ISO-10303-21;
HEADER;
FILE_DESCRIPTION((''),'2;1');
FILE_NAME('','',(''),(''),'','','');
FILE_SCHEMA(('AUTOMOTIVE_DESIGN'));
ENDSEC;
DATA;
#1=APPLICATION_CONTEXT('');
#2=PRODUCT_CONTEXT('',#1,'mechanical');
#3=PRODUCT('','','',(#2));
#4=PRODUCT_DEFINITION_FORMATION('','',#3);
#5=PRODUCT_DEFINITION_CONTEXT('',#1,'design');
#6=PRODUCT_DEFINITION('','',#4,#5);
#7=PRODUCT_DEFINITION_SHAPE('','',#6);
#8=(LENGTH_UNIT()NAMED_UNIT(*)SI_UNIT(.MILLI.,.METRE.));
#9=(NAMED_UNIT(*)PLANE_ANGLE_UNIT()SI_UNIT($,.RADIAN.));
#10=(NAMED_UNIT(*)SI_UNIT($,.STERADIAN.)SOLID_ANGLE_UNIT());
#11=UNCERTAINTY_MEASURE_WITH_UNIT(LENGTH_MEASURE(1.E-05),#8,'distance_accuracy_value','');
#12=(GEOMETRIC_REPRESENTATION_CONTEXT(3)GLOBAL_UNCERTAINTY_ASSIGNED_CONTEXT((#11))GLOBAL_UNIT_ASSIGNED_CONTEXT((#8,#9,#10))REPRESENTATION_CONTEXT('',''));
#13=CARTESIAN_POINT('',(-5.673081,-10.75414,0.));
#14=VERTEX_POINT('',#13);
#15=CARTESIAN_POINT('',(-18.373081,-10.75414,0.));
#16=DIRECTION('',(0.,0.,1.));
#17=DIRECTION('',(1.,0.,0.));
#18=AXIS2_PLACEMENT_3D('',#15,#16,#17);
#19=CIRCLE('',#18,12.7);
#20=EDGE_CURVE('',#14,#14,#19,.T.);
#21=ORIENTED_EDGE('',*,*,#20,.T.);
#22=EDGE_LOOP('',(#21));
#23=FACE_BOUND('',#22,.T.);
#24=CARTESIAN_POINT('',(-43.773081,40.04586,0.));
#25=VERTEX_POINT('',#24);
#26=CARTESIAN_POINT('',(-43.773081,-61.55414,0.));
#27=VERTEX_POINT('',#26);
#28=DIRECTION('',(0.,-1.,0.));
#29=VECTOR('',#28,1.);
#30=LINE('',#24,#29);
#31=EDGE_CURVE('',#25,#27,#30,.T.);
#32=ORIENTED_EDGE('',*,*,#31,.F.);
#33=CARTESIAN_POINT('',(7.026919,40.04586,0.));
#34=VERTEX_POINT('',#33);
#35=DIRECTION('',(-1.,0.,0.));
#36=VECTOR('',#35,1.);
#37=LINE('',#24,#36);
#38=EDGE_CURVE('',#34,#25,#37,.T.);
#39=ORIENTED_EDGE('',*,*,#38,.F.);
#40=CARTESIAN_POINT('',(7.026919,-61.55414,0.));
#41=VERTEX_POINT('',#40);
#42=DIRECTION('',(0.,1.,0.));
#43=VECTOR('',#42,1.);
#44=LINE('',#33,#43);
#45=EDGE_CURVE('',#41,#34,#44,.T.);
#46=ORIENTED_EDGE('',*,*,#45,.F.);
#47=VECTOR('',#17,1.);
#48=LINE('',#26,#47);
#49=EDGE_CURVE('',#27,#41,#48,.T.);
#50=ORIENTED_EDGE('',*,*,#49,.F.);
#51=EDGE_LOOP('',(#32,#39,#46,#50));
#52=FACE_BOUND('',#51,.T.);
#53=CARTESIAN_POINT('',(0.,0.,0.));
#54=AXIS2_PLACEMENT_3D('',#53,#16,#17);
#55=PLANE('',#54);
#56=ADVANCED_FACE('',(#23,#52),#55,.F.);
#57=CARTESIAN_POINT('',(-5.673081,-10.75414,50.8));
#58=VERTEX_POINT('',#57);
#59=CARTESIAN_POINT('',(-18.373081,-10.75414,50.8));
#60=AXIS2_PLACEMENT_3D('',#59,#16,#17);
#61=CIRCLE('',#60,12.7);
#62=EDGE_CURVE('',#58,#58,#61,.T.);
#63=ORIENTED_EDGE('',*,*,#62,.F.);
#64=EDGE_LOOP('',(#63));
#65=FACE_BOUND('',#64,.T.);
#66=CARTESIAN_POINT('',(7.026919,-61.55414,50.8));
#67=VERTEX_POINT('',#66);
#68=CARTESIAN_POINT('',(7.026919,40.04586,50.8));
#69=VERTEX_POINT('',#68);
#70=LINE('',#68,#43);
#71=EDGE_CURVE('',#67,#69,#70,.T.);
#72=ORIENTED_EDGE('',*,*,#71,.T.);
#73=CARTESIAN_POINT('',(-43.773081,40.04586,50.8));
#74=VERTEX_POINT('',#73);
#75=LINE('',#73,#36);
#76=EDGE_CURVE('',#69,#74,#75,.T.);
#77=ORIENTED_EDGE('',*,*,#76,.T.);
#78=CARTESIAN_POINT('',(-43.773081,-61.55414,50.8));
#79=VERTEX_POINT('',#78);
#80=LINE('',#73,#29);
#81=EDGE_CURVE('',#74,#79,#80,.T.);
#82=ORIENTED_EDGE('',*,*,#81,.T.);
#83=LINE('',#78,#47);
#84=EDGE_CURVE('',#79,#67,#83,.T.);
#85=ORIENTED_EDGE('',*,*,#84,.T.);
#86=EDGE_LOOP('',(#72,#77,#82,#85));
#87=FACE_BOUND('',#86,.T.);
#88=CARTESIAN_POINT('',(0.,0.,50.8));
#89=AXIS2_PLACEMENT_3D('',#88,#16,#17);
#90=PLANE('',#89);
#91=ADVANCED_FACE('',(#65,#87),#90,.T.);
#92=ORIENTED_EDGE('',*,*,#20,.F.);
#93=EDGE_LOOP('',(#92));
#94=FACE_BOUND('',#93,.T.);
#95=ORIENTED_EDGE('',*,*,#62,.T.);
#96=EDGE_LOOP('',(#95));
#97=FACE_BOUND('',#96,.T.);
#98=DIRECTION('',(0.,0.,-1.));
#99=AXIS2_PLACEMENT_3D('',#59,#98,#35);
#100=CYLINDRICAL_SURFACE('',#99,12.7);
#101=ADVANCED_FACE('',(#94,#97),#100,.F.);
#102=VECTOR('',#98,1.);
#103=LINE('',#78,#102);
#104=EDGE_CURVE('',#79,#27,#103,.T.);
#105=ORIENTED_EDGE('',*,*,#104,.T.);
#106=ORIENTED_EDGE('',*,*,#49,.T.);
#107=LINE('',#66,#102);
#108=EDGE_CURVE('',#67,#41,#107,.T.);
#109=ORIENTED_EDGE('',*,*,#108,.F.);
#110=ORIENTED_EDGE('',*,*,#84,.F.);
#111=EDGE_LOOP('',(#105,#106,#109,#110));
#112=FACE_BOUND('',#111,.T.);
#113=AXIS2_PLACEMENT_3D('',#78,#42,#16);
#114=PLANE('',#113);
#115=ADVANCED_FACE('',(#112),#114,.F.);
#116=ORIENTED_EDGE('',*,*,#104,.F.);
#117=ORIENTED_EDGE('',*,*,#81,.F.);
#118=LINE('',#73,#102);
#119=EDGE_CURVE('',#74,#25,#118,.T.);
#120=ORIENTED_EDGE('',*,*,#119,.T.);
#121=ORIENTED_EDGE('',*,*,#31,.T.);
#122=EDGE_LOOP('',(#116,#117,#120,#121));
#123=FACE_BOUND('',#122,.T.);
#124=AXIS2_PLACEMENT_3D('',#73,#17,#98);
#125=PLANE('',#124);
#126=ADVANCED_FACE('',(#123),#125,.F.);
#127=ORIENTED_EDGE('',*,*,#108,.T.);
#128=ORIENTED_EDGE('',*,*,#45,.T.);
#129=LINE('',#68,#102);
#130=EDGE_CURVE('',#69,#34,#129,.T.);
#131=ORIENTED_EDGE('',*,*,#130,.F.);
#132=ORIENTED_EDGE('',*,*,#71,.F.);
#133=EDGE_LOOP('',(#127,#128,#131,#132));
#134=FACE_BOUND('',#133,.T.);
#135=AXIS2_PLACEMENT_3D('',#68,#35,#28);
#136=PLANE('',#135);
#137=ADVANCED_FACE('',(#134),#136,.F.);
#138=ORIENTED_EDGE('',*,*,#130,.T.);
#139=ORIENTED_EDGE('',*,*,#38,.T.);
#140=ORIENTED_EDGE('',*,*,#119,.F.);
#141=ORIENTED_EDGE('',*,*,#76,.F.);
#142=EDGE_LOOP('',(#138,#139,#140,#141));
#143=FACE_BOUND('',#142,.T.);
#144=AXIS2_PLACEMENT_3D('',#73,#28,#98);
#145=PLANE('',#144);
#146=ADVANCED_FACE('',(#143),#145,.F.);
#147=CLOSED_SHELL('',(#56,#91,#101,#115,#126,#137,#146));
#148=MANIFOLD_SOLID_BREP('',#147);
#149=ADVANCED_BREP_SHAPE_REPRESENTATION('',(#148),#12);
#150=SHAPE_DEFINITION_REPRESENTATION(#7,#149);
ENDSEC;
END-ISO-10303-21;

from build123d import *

# Parameters (mm, degrees)
SKETCH2_W           = 50.8
SKETCH2_H           = 101.6
SKETCH2_R           = 12.7
BOSS_EXTRUDE1_DEPTH = 50.8


with BuildPart() as part:
    # Sketch2 → Boss-Extrude1 (new body)
    with BuildSketch(Plane.XY):
        with Locations((-18.373080551, -10.75414)):
            Rectangle(SKETCH2_W, SKETCH2_H)
        with Locations((-18.373080551, -10.75414)):
            Circle(SKETCH2_R, mode=Mode.SUBTRACT)
    extrude(amount=BOSS_EXTRUDE1_DEPTH)


solid = part.part
